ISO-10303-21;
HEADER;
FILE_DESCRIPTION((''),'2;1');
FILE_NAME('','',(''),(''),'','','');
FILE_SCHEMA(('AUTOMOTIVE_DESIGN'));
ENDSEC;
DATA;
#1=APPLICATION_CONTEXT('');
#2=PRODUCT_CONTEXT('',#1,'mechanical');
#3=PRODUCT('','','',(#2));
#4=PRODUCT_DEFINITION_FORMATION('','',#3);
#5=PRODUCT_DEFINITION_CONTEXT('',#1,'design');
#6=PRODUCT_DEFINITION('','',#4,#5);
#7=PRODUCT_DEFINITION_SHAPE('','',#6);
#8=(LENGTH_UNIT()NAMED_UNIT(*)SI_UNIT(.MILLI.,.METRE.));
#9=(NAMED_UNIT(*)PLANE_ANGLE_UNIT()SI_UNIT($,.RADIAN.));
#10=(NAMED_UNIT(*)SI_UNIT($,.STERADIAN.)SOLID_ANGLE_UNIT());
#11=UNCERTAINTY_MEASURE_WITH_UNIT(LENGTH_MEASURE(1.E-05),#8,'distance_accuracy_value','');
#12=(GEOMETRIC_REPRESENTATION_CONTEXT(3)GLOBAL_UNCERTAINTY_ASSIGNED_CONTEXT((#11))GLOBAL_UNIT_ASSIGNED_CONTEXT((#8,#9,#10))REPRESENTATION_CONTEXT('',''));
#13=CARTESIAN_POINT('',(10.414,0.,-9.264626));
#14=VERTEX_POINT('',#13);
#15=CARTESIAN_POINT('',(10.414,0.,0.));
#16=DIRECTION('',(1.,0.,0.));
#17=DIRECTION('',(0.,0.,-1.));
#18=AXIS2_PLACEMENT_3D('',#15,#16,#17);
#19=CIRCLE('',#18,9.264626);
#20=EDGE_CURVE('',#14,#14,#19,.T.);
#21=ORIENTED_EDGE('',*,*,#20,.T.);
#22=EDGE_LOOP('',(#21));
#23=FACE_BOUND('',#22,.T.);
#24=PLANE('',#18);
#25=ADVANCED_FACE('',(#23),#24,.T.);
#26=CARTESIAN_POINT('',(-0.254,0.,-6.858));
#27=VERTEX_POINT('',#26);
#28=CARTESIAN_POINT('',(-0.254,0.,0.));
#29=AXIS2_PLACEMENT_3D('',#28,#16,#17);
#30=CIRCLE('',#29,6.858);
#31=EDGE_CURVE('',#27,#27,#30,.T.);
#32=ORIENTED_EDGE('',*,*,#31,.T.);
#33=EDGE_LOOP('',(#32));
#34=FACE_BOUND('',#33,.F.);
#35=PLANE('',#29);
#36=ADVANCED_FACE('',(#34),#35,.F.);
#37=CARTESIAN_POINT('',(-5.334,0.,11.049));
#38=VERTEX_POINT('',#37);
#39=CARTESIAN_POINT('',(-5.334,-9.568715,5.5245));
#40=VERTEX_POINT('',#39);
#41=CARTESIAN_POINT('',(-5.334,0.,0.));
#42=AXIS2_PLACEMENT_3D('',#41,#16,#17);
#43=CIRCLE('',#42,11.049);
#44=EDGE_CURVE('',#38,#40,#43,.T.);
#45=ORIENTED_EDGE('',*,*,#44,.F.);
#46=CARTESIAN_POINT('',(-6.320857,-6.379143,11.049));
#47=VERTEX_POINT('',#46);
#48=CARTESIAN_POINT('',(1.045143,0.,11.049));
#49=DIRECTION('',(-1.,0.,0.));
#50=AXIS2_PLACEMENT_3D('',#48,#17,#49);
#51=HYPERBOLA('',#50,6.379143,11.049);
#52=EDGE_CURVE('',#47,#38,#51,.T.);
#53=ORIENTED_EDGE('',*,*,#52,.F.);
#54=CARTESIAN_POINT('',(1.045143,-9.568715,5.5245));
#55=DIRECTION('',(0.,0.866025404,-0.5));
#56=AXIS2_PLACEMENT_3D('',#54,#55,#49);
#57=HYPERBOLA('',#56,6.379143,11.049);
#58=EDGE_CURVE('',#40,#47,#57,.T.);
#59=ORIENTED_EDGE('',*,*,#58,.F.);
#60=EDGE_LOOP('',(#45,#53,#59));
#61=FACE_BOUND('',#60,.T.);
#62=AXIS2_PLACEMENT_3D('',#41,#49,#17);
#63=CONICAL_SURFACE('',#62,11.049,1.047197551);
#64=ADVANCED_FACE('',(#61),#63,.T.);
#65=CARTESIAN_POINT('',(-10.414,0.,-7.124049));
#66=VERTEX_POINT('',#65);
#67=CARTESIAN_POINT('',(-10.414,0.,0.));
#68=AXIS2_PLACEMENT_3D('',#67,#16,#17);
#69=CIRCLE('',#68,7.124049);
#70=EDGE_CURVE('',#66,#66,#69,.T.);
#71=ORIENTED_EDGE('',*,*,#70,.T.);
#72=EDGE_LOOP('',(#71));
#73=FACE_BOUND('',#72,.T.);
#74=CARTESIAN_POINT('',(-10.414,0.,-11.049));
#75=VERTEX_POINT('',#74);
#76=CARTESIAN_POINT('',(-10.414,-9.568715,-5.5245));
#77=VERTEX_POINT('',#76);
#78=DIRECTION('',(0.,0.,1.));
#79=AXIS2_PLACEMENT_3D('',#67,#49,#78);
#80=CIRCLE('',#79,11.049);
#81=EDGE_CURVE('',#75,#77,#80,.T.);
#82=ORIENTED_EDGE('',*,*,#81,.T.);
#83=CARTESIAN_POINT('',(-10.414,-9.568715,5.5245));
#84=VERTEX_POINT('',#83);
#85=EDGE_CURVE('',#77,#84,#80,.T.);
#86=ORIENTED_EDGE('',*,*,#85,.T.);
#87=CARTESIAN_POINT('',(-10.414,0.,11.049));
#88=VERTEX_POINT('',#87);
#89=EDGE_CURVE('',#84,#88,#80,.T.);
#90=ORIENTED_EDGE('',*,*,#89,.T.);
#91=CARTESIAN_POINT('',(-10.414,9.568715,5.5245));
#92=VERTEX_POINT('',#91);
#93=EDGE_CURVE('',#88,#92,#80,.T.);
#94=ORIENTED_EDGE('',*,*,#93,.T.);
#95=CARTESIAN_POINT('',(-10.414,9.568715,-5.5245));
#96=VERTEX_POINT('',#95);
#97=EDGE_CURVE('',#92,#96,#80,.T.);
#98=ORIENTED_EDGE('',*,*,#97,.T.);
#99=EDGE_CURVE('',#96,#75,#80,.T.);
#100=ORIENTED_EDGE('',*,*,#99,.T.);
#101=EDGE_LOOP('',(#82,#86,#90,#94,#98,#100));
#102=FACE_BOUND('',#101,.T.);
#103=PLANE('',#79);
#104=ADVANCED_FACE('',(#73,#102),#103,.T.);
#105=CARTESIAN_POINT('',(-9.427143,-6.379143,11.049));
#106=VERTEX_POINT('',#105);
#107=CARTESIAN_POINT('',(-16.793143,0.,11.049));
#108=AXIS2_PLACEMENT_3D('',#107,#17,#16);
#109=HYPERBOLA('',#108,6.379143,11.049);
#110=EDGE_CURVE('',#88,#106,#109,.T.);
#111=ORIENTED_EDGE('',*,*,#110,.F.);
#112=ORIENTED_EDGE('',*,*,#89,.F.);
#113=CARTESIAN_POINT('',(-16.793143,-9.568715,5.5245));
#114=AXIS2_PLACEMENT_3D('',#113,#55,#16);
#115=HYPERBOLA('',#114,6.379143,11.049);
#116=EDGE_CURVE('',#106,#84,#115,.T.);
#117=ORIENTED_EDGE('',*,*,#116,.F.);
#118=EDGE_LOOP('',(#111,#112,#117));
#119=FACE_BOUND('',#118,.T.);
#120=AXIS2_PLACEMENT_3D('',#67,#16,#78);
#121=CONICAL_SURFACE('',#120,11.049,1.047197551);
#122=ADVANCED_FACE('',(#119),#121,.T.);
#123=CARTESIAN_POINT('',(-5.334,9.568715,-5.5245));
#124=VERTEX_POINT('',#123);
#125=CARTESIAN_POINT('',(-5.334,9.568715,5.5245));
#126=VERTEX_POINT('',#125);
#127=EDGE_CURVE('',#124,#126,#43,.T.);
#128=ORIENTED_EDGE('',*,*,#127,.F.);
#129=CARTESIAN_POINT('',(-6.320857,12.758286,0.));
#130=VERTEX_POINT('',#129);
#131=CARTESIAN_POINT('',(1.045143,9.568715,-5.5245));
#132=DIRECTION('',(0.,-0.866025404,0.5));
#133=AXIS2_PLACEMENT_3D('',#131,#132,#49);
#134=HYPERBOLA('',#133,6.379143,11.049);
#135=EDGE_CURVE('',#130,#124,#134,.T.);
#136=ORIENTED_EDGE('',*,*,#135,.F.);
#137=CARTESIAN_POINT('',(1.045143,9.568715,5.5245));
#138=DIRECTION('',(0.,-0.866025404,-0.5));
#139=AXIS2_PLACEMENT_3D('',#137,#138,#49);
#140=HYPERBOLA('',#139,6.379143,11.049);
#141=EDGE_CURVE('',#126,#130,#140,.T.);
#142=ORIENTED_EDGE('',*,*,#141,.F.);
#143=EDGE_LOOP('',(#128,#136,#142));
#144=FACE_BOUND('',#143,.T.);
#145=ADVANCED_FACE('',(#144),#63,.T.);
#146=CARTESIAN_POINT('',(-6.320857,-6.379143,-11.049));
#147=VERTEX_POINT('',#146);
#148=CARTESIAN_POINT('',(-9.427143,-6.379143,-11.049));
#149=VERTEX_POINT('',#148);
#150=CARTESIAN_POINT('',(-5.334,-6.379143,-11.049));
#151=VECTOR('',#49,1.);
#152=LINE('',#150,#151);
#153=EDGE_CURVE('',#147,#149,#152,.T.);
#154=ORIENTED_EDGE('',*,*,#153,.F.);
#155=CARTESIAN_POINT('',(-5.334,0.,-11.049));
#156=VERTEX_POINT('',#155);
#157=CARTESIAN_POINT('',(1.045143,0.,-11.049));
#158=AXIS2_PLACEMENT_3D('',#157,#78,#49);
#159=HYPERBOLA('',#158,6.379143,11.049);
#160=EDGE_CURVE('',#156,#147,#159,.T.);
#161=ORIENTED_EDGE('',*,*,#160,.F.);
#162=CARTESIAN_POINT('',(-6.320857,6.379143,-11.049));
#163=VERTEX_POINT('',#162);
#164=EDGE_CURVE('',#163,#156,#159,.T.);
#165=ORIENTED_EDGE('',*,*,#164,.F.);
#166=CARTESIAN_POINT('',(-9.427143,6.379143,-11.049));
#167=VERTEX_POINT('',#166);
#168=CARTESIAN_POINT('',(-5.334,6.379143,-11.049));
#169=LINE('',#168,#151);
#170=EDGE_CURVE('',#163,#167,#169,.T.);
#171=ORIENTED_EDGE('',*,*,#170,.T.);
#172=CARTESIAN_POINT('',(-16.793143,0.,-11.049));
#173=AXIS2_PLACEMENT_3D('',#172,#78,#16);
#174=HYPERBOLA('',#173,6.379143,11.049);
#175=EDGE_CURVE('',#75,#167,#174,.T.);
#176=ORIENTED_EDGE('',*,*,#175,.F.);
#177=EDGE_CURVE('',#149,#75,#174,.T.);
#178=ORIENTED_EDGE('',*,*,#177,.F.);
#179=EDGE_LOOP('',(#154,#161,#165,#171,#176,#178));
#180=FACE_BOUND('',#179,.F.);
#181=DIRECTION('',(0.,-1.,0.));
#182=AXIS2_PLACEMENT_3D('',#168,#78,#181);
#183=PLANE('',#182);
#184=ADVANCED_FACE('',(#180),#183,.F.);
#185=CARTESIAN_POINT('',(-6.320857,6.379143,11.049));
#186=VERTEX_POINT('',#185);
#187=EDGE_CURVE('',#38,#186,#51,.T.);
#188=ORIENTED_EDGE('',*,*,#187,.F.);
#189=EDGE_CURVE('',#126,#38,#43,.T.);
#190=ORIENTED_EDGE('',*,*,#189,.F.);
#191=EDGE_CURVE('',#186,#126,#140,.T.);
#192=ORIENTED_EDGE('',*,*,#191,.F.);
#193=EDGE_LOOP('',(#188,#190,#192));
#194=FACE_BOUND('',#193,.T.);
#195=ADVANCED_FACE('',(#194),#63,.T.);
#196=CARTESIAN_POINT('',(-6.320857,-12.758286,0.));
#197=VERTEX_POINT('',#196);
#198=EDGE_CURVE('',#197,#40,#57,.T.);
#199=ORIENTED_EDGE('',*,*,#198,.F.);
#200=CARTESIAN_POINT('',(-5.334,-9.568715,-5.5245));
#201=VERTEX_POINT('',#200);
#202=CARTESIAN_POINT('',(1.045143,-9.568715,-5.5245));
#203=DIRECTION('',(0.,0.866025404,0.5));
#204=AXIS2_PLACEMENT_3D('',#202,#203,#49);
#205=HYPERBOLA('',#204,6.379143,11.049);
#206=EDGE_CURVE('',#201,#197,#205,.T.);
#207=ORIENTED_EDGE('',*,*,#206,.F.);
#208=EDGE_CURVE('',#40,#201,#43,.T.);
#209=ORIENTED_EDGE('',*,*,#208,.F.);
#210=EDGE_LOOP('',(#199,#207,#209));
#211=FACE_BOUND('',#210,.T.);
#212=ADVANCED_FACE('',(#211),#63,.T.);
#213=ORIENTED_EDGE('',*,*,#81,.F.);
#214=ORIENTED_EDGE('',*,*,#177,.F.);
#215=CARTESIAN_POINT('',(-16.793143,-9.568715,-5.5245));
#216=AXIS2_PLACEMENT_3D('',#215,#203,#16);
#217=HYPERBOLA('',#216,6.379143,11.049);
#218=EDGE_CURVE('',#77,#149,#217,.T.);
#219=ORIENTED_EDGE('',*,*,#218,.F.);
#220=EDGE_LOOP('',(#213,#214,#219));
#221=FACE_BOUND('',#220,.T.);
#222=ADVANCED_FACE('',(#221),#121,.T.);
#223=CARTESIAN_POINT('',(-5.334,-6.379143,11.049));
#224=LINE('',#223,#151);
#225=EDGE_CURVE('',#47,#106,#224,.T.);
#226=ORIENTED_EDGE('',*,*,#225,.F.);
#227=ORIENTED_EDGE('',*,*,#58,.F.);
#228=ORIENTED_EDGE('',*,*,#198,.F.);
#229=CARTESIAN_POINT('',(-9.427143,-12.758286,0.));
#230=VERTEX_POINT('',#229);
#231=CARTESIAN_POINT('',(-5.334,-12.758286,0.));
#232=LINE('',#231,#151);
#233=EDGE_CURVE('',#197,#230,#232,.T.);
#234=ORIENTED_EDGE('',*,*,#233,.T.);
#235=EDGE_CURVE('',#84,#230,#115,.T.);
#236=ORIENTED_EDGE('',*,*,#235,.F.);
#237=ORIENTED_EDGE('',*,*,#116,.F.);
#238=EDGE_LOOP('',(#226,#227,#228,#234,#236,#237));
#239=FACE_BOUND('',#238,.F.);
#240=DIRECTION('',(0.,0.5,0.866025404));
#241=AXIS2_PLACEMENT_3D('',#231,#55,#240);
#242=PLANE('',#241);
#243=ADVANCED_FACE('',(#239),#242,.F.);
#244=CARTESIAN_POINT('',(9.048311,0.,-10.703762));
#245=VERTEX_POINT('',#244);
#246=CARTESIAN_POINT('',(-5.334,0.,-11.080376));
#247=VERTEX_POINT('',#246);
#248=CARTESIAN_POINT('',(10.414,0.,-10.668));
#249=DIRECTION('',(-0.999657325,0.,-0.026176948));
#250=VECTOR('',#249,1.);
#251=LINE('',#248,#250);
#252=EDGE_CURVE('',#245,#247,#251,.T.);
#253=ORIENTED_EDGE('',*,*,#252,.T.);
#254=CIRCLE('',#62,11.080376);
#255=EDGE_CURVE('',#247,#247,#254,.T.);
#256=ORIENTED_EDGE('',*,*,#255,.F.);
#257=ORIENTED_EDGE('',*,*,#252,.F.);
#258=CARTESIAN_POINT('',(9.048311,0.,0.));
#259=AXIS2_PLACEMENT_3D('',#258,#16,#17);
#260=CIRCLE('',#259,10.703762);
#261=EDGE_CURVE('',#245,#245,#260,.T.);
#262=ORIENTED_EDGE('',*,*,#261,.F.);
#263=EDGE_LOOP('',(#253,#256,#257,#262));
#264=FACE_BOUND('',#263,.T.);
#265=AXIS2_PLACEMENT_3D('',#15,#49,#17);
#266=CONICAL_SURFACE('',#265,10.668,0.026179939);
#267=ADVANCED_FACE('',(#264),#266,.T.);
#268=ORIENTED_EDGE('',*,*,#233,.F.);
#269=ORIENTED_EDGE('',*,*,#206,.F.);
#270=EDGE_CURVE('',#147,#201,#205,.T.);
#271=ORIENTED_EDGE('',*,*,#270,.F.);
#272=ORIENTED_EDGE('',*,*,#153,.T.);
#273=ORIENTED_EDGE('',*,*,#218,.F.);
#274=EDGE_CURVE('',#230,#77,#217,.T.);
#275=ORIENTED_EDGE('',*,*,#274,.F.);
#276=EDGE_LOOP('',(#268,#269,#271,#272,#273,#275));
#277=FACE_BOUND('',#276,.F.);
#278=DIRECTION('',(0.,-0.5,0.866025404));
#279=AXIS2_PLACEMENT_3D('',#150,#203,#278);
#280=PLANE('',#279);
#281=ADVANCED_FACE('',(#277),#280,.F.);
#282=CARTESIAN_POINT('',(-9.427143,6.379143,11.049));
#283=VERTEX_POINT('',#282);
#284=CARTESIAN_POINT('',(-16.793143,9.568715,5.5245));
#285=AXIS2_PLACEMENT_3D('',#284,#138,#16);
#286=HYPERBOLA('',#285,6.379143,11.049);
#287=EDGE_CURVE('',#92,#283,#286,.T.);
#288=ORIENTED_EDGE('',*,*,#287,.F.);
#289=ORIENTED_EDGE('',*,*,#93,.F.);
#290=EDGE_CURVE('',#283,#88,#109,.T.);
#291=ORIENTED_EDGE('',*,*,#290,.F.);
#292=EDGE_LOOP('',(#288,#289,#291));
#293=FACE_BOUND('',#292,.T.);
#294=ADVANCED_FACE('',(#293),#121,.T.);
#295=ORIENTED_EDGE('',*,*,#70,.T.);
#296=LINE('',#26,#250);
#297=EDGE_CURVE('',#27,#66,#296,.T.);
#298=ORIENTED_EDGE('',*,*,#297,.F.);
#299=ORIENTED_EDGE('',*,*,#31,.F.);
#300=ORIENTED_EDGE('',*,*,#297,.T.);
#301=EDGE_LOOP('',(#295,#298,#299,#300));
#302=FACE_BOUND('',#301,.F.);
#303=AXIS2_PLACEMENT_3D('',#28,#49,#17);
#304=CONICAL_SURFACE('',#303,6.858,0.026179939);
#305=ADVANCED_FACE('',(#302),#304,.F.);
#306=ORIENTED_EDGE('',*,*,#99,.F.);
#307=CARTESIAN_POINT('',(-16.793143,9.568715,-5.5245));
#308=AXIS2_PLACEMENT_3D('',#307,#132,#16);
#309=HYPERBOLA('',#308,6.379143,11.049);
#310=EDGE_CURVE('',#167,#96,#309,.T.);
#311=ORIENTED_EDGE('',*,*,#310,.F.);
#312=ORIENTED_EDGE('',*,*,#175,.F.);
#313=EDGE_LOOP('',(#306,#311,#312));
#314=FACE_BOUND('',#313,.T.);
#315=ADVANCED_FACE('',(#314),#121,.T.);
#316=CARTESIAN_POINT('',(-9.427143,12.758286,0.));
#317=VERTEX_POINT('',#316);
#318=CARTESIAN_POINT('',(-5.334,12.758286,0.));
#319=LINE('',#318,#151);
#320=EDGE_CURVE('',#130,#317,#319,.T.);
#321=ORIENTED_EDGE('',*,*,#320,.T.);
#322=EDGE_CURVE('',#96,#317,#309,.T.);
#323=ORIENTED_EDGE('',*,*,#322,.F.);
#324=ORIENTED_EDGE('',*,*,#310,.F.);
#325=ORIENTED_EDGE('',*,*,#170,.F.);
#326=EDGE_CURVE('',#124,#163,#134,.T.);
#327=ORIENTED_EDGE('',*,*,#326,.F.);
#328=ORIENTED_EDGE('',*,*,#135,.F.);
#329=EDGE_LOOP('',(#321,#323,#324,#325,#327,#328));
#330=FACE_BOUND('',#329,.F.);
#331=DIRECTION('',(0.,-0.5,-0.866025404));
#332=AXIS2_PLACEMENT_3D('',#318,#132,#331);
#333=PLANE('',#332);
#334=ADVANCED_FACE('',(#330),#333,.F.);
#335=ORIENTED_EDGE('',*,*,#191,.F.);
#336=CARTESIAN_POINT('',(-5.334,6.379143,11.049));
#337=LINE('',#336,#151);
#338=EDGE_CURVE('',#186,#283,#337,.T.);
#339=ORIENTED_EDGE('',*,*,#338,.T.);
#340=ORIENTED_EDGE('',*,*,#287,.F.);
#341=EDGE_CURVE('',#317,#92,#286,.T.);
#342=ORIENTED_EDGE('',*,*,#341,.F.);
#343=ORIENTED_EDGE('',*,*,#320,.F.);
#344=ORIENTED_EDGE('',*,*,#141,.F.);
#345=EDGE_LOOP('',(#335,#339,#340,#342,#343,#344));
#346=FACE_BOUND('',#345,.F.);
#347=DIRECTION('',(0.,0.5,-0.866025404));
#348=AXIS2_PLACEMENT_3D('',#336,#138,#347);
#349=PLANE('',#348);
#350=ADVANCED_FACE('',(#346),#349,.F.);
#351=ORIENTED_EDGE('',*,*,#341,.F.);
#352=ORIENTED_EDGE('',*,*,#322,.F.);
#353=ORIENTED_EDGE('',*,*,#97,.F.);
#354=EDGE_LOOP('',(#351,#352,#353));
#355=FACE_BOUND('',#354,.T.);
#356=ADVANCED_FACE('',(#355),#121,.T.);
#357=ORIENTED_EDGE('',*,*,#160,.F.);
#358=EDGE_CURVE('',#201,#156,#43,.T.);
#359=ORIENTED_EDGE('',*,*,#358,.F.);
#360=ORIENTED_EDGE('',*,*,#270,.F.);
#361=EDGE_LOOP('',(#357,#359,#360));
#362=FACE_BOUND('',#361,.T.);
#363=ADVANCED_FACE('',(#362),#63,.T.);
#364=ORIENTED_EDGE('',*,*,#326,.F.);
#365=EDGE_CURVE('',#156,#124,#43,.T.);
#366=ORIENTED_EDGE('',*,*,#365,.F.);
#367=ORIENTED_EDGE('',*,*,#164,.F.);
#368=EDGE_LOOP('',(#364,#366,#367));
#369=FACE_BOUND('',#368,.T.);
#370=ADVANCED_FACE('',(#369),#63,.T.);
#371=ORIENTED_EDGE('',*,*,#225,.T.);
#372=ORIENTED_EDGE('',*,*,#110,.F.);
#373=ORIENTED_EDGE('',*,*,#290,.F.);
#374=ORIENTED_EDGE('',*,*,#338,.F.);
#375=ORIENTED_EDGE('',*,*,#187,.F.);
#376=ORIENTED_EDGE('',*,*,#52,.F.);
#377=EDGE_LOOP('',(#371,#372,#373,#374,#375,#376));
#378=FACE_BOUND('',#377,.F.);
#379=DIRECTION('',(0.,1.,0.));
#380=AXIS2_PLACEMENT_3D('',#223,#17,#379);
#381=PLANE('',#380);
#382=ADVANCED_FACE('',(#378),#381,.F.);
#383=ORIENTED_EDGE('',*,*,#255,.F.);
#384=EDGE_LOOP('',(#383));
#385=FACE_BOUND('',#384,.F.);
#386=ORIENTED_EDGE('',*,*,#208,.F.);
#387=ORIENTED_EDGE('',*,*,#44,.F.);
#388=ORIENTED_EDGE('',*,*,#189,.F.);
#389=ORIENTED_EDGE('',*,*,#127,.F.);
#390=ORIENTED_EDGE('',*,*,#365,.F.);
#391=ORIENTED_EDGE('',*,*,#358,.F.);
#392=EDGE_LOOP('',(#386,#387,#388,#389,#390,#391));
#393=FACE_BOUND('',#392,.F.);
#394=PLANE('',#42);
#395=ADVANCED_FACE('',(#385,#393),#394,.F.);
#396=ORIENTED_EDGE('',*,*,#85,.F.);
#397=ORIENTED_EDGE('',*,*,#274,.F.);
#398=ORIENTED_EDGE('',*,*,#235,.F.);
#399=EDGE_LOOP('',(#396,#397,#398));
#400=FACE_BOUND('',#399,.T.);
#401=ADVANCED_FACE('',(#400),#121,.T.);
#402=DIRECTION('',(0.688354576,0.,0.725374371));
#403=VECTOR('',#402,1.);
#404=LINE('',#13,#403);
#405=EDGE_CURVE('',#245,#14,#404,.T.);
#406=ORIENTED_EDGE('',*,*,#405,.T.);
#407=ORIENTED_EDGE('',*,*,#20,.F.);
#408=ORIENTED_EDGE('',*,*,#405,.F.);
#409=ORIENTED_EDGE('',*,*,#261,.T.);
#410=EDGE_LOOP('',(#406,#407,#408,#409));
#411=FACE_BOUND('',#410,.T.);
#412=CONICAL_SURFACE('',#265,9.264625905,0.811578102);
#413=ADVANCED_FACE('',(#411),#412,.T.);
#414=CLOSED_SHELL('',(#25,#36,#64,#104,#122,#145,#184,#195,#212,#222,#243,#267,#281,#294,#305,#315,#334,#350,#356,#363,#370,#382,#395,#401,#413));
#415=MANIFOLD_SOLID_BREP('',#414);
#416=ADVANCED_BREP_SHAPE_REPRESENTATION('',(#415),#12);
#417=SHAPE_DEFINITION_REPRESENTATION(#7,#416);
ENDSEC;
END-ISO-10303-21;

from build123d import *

# Parameters (mm, degrees)
SKETCH2_R          = 10.668
EXTRUDE1_DEPTH     = 15.748
EXTRUDE1_DRAFT     = 1.5
CHAMFER1_SIZE      = 1.366157143
CHAMFER1_SIZE2     = 1.403374095
EXTRUDE2_DEPTH     = 5.08
SKETCH6_R          = 6.858
CUT_EXTRUDE1_DEPTH = 20.983864039
CUT_EXTRUDE1_DRAFT = 1.5
SKETCH12_OUTSIDE_W = 128.474
SKETCH12_OUTSIDE_H = 131.83
SKETCH12_OUTSIDE_R = 11.049
CUT_EXTRUDE6_DEPTH = 27.820778921
CUT_EXTRUDE6_DRAFT = -60
SKETCH13_OUTSIDE_W = 115.58
SKETCH13_OUTSIDE_H = 118.936
SKETCH13_OUTSIDE_R = 11.049
CUT_EXTRUDE7_DEPTH = 24.098660176
CUT_EXTRUDE7_DRAFT = -60


with BuildPart() as part:
    # Sketch2 → Extrude1 (with draft: the straight prism first)
    with BuildSketch(Plane(origin=(10.414, 0, 0), x_dir=(0, 0, -1), z_dir=(1, 0, 0))):
        Circle(SKETCH2_R)
    extrude(amount=-EXTRUDE1_DEPTH)
    # Extrude1: the draft: its side faces are tilted about the plane it starts from
    extrude1_sides = [part.faces().sort_by_distance(p)[0] for p in [
        (2.54, 0, 10.668),
    ]]
    draft(extrude1_sides, Plane(origin=(10.414, 0, 0), x_dir=(0, 0, -1), z_dir=(1, 0, 0)), EXTRUDE1_DRAFT)

    # Chamfer1
    chamfer1_edges = [part.edges().sort_by_distance(p)[0] for p in [
        (10.414, 0, 10.668),
    ]]
    chamfer1_side = [part.faces().sort_by_distance(p)[0] for p in [
        (2.54, 0, 10.874187946),
    ]]
    chamfer(chamfer1_edges, length=CHAMFER1_SIZE, length2=CHAMFER1_SIZE2, reference=chamfer1_side[0])

    # Sketch5 → Extrude2 (add)
    with BuildSketch(Plane.ZY.offset(5.334)):
        Polygon((0, 12.758286249), (-11.049, 6.379143124), (-11.049, -6.379143124), (0, -12.758286249), (11.049, -6.379143124), (11.049, 6.379143124), align=None)
    extrude(amount=EXTRUDE2_DEPTH)


with BuildPart() as cut_extrude1_tool:
    # Sketch6 → Cut-Extrude1 (with draft: the straight prism first)
    with BuildSketch(Plane(origin=(-0.254, 0, 0), x_dir=(0, 0, -1), z_dir=(1, 0, 0))):
        Circle(SKETCH6_R)
    extrude(amount=-CUT_EXTRUDE1_DEPTH)
    # Cut-Extrude1: the draft: its side faces are tilted about the plane it starts from
    cut_extrude1_sides = [cut_extrude1_tool.faces().sort_by_distance(p)[0] for p in [
        (-10.745932019, 0, 6.858),
    ]]
    draft(cut_extrude1_sides, Plane(origin=(-0.254, 0, 0), x_dir=(0, 0, -1), z_dir=(1, 0, 0)), CUT_EXTRUDE1_DRAFT)


with BuildPart() as part_1:
    add(part.part)

    # Cut-Extrude1: cut by cut_extrude1_tool
    add(cut_extrude1_tool.part, mode=Mode.SUBTRACT)


with BuildPart() as cut_extrude6_tool:
    # Sketch12 outside → Cut-Extrude6 (with draft: the straight prism first)
    with BuildSketch(Plane.ZY.offset(10.414)):
        Rectangle(SKETCH12_OUTSIDE_W, SKETCH12_OUTSIDE_H)
        Circle(SKETCH12_OUTSIDE_R, mode=Mode.SUBTRACT)
    extrude(amount=-CUT_EXTRUDE6_DEPTH)
    # Cut-Extrude6: the draft: its side faces are tilted about the plane it starts from
    cut_extrude6_sides = [cut_extrude6_tool.faces().sort_by_distance(p)[0] for p in [
        (3.49638946, -65.915, 0),
        (3.49638946, 0, 64.237),
        (3.49638946, 65.915, 0),
        (3.49638946, 0, -64.237),
        (3.49638946, 0, -11.049),
    ]]
    draft(cut_extrude6_sides, Plane.ZY.offset(10.414), CUT_EXTRUDE6_DRAFT)


with BuildPart() as part_2:
    add(part_1.part)

    # Cut-Extrude6: cut by cut_extrude6_tool
    add(cut_extrude6_tool.part, mode=Mode.SUBTRACT)


with BuildPart() as cut_extrude7_tool:
    # Sketch13 outside → Cut-Extrude7 (with draft: the straight prism first)
    with BuildSketch(Plane(origin=(-5.334, 0, 0), x_dir=(0, 0, -1), z_dir=(1, 0, 0))):
        Rectangle(SKETCH13_OUTSIDE_W, SKETCH13_OUTSIDE_H)
        Circle(SKETCH13_OUTSIDE_R, mode=Mode.SUBTRACT)
    extrude(amount=-CUT_EXTRUDE7_DEPTH)
    # Cut-Extrude7: the draft: its side faces are tilted about the plane it starts from
    cut_extrude7_sides = [cut_extrude7_tool.faces().sort_by_distance(p)[0] for p in [
        (-17.383330088, -59.468, 0),
        (-17.383330088, 0, -57.79),
        (-17.383330088, 59.468, 0),
        (-17.383330088, 0, 57.79),
        (-17.383330088, 0, 11.049),
    ]]
    draft(cut_extrude7_sides, Plane(origin=(-5.334, 0, 0), x_dir=(0, 0, -1), z_dir=(1, 0, 0)), CUT_EXTRUDE7_DRAFT)


with BuildPart() as part_3:
    add(part_2.part)

    # Cut-Extrude7: cut by cut_extrude7_tool
    add(cut_extrude7_tool.part, mode=Mode.SUBTRACT)


solid = part_3.part
